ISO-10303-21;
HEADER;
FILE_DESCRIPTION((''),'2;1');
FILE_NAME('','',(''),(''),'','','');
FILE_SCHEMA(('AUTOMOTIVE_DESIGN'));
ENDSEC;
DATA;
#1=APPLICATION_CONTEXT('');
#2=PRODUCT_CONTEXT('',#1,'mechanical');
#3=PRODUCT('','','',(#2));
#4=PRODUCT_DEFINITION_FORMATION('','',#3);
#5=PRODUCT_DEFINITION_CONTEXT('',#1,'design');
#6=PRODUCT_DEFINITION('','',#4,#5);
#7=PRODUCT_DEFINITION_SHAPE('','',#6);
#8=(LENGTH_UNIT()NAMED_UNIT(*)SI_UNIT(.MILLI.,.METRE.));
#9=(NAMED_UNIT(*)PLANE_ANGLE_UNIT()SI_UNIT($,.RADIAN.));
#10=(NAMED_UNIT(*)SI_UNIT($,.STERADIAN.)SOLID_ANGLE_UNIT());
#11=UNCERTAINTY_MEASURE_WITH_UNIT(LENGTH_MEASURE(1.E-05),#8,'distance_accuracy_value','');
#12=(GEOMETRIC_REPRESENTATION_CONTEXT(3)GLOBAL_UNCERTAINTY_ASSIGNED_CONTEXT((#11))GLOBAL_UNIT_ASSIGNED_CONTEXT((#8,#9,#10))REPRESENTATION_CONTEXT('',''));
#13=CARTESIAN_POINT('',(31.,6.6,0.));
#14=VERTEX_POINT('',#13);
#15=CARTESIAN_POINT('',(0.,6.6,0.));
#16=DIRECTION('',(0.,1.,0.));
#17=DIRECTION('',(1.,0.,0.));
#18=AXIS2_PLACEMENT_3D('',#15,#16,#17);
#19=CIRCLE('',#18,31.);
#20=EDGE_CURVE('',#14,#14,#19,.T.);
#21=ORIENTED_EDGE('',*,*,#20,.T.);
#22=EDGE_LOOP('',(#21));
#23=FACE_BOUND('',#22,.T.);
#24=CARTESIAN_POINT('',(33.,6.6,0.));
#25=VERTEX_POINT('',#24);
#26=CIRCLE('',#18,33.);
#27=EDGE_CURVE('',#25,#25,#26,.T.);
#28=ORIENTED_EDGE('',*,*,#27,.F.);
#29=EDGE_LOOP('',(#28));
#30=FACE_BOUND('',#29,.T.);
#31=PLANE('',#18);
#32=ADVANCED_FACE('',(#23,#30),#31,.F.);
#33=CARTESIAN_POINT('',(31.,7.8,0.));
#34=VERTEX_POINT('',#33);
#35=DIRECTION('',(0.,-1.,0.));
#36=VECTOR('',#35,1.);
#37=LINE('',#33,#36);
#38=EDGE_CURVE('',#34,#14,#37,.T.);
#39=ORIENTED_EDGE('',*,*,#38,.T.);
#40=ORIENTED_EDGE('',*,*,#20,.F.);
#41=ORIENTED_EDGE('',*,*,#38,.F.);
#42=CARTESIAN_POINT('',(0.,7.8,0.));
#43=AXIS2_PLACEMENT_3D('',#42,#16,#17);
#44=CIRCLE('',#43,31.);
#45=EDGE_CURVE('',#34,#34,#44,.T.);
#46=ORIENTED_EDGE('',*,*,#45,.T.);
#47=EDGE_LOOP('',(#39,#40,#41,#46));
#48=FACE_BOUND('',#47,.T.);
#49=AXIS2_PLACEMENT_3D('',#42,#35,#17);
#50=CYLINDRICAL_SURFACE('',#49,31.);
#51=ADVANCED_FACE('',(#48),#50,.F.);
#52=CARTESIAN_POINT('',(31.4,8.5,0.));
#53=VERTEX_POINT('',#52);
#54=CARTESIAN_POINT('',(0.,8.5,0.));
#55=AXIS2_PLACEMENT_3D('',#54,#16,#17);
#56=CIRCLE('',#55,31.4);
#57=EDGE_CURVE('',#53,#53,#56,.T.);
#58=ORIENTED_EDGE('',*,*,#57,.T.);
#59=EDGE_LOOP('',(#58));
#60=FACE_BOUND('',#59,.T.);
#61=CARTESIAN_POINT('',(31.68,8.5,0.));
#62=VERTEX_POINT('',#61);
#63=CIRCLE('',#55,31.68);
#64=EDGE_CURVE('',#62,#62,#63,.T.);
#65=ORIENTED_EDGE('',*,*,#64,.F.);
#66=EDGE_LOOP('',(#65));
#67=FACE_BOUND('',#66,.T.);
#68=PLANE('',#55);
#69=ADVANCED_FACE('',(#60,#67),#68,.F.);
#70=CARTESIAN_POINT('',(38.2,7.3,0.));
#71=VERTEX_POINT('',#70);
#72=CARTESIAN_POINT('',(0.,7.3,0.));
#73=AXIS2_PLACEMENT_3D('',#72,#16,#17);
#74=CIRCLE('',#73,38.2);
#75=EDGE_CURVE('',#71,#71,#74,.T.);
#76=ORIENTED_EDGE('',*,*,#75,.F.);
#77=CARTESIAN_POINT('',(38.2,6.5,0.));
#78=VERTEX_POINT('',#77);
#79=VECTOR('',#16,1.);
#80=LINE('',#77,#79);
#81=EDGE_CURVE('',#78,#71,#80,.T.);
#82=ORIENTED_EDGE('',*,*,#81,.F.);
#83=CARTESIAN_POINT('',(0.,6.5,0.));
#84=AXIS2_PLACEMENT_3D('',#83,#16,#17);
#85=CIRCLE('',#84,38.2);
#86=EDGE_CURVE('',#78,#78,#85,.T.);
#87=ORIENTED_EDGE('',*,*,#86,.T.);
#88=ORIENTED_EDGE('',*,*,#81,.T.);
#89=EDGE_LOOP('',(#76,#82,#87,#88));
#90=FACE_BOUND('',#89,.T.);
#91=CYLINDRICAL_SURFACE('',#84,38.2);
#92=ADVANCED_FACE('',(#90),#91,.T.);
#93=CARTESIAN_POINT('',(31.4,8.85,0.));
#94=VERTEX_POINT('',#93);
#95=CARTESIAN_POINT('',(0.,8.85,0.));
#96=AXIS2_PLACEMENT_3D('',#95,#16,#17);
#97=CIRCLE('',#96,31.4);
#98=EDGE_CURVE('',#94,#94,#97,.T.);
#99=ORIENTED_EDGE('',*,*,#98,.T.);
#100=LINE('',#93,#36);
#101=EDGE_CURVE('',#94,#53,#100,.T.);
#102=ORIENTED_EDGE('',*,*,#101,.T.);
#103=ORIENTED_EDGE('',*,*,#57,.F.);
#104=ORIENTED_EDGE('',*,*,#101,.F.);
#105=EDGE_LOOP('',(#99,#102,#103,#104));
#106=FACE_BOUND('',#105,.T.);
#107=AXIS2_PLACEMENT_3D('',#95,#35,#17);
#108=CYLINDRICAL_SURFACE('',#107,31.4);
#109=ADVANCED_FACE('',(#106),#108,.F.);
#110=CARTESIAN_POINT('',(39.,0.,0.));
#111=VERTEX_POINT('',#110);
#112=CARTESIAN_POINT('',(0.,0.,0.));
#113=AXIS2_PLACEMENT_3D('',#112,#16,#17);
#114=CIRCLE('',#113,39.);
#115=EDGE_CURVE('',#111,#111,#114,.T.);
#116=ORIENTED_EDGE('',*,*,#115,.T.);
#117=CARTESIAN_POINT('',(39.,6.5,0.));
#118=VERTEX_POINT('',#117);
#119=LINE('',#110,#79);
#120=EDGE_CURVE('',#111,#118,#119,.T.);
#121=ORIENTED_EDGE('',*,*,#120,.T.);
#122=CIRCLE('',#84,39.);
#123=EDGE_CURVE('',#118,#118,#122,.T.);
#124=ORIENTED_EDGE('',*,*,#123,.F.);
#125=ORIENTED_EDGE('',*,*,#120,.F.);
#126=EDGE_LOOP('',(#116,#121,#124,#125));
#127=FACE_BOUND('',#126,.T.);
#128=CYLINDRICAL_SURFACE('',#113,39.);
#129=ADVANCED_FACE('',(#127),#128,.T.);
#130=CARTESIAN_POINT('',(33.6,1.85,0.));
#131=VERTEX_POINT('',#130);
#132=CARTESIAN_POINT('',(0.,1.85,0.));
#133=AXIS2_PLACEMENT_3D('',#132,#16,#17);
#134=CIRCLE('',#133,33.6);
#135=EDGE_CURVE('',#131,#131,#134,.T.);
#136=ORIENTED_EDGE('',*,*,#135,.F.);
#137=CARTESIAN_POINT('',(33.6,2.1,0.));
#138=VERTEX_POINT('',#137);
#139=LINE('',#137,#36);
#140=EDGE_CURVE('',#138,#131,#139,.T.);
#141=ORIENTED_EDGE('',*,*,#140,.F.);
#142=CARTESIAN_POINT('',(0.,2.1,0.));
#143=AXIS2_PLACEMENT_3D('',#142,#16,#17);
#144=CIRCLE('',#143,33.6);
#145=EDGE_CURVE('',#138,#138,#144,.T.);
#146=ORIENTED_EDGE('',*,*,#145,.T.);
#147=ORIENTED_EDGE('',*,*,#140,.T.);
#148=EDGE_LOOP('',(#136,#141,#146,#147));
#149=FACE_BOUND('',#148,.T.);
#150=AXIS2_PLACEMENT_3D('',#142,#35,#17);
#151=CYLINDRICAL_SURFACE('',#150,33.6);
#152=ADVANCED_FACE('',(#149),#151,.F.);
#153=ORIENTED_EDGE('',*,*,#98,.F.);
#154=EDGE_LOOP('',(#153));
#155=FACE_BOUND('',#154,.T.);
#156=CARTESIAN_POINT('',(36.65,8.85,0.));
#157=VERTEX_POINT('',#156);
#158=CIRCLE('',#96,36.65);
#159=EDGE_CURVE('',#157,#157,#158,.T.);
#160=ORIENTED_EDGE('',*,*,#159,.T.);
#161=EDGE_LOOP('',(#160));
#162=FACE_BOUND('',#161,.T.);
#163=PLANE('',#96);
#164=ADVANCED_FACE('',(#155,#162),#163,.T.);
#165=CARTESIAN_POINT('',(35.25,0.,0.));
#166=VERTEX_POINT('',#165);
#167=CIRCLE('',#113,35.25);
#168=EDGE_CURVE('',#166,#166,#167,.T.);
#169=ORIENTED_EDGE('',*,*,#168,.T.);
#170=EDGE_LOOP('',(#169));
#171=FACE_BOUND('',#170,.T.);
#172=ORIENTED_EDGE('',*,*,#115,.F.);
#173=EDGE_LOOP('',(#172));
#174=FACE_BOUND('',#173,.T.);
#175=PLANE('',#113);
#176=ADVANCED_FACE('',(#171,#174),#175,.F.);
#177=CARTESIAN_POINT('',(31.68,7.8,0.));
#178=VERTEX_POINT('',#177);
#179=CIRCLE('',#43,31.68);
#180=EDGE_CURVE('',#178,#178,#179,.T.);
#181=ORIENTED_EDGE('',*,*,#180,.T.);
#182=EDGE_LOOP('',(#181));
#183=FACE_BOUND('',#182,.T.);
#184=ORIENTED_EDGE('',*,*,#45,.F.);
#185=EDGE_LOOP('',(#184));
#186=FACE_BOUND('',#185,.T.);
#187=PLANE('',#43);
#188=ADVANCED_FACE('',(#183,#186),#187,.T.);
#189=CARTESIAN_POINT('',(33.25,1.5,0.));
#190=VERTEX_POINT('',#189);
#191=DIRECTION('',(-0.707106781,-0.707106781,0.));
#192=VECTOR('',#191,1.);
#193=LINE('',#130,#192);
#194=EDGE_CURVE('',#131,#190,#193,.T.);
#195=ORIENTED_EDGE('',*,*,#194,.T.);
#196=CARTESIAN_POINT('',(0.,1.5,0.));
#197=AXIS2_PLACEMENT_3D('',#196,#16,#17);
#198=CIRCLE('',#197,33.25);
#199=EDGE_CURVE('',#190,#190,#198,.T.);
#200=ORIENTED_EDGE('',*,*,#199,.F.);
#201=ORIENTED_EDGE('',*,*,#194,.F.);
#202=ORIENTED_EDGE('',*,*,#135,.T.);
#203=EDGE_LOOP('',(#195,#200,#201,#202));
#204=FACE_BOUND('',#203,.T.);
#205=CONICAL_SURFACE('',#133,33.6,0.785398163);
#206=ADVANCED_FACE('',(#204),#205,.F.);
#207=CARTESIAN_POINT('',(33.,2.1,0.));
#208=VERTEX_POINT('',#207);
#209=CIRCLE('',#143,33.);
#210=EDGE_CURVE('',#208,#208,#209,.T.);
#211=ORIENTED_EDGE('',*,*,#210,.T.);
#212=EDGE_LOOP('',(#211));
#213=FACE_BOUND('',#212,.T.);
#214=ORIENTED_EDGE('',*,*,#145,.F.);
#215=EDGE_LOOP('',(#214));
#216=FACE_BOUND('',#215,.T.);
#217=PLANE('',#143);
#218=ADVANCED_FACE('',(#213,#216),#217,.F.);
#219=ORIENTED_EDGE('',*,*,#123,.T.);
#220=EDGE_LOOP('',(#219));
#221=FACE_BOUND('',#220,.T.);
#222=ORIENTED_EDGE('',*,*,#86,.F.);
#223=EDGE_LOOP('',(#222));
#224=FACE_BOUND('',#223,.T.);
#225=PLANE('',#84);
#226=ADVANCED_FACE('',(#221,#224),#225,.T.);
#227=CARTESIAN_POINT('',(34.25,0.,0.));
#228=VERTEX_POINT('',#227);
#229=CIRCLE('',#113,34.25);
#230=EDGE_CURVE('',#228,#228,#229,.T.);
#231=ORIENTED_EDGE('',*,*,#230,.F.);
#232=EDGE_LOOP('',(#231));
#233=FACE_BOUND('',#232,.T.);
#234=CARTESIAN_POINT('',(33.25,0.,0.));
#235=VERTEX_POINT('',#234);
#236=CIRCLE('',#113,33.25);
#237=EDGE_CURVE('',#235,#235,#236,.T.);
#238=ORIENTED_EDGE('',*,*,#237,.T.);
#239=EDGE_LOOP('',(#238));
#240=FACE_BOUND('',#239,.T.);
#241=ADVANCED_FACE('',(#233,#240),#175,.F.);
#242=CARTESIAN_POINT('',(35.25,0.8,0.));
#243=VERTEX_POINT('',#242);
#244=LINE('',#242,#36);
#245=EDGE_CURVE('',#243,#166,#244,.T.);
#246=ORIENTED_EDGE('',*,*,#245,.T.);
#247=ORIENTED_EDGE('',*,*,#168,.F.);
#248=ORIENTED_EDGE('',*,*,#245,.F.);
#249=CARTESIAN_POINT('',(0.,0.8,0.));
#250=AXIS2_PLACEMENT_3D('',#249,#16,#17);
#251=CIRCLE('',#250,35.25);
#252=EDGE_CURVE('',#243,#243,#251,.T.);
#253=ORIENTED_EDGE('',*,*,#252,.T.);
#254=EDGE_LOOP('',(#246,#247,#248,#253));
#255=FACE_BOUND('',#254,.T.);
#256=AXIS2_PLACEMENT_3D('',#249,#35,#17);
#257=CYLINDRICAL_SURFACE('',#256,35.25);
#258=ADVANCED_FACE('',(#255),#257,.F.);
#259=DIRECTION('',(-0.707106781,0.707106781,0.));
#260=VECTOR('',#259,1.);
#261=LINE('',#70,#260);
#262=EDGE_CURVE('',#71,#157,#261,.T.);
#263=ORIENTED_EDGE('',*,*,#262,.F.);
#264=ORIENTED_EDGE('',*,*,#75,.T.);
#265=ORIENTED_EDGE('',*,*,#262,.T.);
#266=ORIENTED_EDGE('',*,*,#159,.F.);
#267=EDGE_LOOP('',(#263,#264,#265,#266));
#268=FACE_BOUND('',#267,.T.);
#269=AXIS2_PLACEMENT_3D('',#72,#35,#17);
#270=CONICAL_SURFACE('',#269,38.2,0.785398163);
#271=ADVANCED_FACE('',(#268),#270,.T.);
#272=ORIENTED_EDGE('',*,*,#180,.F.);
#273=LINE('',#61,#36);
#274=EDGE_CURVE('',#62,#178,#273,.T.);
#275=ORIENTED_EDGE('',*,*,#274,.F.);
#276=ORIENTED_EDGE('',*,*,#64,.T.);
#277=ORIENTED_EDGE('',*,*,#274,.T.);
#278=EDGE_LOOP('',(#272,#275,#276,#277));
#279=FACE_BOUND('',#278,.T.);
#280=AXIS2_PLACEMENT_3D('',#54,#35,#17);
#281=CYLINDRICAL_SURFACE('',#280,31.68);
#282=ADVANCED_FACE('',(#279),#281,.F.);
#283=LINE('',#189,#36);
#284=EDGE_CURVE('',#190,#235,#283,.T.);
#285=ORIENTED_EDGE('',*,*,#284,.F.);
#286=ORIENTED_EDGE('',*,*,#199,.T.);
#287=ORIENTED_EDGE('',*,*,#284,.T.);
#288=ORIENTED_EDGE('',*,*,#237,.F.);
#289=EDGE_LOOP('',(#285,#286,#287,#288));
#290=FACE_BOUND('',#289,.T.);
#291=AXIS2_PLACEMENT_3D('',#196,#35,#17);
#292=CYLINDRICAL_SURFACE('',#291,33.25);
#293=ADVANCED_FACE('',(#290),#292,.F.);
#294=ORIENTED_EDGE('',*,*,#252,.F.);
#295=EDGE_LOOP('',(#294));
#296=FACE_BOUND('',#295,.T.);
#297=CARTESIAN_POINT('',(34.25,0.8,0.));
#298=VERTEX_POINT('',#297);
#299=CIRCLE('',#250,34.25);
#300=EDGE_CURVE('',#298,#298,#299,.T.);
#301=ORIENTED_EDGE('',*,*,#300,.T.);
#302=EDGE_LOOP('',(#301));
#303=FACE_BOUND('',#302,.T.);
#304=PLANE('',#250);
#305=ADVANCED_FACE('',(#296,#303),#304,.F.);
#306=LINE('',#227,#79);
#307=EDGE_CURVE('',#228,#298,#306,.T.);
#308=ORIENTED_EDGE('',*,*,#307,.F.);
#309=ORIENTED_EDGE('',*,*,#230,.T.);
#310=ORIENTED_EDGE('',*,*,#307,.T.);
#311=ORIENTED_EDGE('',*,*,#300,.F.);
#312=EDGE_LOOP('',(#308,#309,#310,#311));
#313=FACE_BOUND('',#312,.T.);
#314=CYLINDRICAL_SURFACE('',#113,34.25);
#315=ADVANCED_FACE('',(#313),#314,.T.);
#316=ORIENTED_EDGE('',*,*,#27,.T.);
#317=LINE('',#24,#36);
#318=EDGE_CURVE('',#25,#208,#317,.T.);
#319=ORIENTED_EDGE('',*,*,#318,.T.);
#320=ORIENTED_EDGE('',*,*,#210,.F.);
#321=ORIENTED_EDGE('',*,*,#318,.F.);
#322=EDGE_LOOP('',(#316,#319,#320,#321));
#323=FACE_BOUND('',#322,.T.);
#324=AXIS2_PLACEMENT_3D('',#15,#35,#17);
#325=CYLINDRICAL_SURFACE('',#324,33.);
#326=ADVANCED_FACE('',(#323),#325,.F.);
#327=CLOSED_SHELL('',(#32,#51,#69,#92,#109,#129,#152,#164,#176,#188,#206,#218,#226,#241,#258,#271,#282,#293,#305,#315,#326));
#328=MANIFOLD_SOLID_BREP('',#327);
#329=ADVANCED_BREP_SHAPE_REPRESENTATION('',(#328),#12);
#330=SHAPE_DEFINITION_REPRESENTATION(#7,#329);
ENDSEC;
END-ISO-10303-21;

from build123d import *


with BuildPart() as part:
    # Sketch → Revolution (revolve)
    with BuildSketch(Plane.XY):
        Polygon((39, 0), (39, 6.5), (38.2, 6.5), (38.2, 7.3), (36.65, 8.85), (31.4, 8.85), (31.4, 8.5), (31.68, 8.5), (31.68, 7.8), (31, 7.8), (31, 6.6), (33, 6.6), (33, 2.1), (33.6, 2.1), (33.6, 1.85), (33.25, 1.5), (33.25, 0), (34.25, 0), (34.25, 0.8), (35.25, 0.8), (35.25, 0), align=None)
    revolve(axis=Axis((0, 0, 0), (0, 1, 0)))


solid = part.part
